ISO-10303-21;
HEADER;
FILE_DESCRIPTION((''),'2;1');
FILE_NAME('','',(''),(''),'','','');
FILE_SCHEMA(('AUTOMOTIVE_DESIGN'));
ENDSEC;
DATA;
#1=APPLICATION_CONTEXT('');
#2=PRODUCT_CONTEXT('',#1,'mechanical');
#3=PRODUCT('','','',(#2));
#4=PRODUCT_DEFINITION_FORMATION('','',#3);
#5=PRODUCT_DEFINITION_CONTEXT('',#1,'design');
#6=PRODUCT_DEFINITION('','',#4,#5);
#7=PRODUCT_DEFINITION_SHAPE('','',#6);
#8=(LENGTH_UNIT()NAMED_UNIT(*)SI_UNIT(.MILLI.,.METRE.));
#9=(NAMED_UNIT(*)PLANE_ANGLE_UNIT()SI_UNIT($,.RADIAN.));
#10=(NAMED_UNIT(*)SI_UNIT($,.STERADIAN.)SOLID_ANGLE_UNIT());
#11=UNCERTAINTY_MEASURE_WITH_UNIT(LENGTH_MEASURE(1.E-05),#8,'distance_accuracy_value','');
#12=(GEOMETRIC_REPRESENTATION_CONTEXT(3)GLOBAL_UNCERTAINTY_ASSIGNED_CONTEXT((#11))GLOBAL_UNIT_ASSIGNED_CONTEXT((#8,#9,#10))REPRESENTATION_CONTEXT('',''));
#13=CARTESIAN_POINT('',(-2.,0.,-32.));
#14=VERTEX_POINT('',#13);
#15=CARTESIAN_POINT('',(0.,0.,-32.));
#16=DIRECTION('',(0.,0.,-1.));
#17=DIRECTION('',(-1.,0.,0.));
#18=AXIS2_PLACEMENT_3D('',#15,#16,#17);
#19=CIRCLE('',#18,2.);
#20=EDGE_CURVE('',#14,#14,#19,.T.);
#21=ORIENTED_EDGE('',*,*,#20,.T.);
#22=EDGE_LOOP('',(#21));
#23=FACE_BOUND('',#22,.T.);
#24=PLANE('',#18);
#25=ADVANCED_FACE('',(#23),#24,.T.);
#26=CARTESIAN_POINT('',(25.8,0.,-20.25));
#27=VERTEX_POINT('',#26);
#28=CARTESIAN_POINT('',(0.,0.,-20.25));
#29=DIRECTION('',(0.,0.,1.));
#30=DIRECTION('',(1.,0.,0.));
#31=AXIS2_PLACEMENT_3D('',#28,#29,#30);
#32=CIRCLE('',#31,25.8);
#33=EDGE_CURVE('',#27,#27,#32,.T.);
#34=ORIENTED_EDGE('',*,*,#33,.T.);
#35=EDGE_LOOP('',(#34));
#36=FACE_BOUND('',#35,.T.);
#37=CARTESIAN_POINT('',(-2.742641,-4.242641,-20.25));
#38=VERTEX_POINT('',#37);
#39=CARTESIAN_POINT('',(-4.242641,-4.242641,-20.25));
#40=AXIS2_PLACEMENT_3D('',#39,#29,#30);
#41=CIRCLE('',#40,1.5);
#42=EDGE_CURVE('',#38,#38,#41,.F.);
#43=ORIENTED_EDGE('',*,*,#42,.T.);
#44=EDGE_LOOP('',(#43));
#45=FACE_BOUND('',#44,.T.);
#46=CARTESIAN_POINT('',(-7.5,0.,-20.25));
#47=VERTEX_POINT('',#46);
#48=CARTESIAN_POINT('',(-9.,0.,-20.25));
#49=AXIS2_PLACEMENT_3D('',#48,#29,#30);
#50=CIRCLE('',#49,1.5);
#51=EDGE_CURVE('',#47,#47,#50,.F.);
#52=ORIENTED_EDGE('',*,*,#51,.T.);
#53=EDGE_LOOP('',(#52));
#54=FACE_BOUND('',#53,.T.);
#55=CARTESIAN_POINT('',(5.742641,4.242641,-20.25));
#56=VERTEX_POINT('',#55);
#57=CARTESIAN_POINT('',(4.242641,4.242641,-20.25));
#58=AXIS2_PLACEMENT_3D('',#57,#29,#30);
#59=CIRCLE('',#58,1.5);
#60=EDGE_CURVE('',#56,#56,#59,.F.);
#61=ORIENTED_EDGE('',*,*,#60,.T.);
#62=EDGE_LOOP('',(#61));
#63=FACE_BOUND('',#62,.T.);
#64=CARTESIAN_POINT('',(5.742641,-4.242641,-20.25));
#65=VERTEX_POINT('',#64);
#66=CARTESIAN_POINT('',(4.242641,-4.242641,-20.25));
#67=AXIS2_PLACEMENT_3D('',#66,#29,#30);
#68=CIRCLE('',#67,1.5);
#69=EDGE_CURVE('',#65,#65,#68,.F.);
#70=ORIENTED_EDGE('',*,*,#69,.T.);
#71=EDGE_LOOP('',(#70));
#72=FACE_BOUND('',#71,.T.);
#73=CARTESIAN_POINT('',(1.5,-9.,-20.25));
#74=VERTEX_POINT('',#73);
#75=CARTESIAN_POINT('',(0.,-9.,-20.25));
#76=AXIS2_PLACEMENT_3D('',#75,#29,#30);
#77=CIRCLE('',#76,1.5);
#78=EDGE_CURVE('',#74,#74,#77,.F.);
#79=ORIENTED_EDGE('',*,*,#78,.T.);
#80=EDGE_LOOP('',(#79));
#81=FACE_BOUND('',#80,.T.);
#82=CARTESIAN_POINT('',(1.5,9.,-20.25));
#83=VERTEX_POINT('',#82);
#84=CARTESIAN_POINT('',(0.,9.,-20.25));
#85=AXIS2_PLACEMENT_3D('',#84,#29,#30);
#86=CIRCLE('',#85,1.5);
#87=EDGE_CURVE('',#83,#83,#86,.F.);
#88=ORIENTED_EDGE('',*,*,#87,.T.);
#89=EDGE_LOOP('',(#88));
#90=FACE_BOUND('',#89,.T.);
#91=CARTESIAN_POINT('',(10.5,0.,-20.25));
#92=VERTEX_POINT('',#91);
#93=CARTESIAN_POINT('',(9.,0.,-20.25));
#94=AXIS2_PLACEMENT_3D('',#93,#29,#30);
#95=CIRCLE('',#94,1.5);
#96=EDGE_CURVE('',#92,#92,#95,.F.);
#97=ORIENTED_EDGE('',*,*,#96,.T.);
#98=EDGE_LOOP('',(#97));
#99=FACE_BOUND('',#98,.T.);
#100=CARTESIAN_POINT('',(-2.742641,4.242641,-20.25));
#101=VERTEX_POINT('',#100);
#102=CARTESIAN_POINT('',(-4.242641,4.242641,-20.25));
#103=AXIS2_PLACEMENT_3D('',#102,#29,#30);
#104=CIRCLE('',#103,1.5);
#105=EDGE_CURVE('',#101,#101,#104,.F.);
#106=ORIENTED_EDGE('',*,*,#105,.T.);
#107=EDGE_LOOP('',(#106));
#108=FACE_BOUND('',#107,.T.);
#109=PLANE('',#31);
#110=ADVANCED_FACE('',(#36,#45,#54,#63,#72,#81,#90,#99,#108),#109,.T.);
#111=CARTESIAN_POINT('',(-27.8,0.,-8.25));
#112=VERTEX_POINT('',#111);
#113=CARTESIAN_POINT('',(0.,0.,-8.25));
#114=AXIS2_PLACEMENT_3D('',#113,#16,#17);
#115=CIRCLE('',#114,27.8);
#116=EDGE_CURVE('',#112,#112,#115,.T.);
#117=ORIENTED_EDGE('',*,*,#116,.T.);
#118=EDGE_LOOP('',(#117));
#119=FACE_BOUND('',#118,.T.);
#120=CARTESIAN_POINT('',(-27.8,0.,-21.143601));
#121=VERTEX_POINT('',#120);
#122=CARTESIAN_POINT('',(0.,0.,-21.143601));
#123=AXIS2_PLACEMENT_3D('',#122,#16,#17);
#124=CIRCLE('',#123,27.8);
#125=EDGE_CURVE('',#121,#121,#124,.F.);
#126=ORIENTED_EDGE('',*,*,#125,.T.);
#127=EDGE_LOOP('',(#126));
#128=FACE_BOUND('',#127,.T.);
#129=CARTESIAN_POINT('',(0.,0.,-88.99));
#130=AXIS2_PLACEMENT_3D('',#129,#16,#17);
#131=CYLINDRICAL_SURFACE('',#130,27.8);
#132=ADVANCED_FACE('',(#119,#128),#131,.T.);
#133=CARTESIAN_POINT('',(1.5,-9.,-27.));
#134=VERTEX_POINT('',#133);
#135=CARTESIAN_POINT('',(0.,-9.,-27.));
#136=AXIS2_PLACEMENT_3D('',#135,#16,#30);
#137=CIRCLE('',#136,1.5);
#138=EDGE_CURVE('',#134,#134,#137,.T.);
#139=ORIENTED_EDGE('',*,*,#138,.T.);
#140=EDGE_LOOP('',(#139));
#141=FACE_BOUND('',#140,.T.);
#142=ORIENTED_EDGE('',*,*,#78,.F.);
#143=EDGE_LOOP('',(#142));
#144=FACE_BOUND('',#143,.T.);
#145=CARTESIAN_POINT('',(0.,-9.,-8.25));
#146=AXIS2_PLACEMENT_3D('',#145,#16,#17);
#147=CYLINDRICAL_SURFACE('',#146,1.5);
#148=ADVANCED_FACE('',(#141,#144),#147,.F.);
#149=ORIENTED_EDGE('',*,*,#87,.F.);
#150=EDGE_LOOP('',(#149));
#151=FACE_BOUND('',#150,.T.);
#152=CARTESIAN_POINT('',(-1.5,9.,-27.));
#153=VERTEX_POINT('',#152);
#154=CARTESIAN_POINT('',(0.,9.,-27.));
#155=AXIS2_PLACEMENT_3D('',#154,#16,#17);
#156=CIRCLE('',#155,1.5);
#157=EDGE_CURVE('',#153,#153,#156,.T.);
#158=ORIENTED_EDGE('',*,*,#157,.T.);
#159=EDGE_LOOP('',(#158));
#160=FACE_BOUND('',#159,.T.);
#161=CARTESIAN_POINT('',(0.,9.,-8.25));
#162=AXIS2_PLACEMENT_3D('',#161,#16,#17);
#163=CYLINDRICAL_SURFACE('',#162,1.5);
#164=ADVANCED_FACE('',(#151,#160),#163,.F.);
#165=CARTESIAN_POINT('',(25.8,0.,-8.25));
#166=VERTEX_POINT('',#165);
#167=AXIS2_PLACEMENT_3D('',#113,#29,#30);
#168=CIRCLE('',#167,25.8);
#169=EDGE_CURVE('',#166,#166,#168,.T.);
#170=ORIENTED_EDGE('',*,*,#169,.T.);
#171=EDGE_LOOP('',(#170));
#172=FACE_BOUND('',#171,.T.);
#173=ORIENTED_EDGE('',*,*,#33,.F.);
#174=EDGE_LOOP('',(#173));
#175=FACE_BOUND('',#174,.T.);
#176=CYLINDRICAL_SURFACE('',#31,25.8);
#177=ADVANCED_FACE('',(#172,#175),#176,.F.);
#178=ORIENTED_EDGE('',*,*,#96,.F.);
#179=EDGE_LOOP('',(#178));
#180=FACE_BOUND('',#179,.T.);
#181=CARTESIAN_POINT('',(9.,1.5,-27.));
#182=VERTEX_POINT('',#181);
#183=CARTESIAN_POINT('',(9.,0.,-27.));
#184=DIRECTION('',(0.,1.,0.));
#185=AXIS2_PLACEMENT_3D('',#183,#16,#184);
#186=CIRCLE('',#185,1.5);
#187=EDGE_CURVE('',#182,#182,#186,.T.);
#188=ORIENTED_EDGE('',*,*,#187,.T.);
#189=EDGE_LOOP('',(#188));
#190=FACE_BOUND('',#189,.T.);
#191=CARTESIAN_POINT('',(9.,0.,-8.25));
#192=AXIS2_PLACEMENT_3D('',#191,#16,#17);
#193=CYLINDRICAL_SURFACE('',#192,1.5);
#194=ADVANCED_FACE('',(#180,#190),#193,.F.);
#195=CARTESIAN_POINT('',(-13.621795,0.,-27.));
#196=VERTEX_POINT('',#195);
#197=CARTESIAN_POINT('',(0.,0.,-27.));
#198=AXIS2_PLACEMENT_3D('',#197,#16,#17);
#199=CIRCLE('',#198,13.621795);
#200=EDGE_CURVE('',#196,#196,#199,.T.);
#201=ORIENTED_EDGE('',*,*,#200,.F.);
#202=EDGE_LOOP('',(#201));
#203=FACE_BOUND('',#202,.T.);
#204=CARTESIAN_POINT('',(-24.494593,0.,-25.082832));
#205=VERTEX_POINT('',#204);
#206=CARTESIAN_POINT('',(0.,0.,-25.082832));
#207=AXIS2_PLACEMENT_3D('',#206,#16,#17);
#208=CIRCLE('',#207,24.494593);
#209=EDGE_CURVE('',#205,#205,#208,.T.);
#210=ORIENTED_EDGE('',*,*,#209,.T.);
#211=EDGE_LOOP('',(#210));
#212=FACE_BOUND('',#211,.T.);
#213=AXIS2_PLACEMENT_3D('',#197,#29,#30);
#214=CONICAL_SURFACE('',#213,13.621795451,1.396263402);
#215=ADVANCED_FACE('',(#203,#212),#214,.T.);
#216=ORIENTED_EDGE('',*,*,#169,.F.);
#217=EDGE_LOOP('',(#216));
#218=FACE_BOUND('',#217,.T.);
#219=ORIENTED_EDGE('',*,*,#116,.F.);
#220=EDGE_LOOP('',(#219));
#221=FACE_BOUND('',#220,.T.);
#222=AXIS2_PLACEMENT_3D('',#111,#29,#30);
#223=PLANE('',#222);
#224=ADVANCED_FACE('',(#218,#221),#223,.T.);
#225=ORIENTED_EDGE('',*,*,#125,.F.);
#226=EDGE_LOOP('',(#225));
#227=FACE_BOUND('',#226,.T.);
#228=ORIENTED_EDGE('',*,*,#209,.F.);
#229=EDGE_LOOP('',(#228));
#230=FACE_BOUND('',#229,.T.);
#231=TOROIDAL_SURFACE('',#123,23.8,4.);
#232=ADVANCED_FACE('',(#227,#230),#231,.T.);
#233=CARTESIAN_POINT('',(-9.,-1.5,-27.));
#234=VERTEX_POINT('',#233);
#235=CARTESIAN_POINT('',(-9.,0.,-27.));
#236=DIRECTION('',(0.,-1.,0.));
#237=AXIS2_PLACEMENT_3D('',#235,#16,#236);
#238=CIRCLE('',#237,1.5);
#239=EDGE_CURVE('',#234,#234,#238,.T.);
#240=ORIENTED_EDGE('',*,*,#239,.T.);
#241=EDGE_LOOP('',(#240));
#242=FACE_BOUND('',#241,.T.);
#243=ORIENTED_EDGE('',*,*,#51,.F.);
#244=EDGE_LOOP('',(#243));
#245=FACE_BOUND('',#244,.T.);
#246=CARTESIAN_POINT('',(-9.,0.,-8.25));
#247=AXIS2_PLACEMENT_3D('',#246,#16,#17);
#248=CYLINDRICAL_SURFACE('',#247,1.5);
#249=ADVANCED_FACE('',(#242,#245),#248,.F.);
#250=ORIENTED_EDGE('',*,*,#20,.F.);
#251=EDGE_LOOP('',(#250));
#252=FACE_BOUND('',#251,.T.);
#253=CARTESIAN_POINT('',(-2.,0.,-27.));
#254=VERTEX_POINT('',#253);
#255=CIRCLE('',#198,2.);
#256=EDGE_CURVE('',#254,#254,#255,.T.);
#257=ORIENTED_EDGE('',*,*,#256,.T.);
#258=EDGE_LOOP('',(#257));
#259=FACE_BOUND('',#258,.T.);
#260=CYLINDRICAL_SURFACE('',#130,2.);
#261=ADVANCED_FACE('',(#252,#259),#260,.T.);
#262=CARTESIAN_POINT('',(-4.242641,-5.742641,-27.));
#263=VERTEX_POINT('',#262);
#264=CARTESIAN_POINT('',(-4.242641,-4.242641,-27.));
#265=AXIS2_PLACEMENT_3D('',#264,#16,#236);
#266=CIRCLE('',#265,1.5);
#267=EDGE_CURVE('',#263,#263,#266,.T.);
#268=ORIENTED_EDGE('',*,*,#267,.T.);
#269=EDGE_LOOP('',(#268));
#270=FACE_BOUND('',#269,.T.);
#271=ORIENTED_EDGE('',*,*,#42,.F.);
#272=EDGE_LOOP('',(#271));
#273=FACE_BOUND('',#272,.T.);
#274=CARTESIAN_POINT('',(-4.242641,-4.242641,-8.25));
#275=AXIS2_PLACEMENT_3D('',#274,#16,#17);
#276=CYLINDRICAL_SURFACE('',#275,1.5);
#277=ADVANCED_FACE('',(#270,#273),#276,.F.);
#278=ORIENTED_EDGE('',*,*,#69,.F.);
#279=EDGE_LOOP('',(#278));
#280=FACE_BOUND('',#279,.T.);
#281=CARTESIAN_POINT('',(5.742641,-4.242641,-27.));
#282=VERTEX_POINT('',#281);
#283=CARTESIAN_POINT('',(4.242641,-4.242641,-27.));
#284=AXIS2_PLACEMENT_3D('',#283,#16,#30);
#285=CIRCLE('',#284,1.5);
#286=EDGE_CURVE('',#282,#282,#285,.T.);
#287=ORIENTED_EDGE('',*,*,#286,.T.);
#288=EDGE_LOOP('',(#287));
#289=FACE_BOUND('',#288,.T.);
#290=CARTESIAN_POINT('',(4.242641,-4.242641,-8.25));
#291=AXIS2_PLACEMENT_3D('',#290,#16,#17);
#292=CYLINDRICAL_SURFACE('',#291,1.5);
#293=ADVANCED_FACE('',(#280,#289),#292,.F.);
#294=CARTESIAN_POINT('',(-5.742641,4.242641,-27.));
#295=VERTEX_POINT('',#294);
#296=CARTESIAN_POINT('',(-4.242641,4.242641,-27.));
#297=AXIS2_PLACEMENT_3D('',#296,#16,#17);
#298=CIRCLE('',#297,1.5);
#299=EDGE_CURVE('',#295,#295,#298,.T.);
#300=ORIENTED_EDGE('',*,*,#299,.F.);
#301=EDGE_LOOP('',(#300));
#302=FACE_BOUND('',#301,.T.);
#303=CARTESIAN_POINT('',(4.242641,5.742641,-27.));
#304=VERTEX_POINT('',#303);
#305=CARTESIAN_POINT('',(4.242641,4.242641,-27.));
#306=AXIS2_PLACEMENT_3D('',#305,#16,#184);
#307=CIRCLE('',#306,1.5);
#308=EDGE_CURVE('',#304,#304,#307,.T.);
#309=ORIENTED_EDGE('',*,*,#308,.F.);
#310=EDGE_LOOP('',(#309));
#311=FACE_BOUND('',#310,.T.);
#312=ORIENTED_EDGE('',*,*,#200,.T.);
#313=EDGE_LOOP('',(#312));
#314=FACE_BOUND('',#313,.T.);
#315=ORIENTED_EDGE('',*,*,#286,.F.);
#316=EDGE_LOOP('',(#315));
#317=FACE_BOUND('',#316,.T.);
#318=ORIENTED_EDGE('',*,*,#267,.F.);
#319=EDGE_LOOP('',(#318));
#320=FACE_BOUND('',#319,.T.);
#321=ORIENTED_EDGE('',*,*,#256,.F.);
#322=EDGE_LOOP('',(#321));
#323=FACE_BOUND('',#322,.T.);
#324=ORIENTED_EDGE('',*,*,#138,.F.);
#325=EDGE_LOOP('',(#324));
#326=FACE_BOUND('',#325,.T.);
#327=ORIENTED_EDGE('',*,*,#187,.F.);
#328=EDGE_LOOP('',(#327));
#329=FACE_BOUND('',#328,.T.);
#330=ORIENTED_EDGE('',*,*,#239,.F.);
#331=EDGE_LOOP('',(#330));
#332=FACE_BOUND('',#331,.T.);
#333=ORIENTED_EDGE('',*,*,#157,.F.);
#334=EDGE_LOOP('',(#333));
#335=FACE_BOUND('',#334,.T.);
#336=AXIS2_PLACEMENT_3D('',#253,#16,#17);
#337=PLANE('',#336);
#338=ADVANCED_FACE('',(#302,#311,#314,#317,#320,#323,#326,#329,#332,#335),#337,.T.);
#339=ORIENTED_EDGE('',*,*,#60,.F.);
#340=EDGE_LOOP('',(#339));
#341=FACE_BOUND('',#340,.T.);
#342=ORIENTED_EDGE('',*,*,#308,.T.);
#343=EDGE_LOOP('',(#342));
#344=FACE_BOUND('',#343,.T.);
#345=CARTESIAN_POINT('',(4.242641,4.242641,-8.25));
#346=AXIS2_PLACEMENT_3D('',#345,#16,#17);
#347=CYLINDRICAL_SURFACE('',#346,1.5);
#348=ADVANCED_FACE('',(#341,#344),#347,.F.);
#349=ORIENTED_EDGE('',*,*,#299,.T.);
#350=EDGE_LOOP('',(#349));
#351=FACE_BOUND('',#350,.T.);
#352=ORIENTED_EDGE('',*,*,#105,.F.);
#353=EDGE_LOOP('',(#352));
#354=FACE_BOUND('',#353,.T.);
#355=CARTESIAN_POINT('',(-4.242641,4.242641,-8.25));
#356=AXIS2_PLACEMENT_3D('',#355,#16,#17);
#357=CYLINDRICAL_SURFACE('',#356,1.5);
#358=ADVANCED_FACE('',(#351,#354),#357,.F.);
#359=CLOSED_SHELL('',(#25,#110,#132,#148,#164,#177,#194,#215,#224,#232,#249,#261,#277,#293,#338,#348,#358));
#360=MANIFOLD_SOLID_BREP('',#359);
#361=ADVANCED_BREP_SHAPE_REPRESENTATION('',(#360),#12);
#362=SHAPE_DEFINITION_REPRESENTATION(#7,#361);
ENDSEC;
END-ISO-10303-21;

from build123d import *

# Parameters (mm, degrees)
SKETCH3_R          = 1.5
CUT_EXTRUDE1_DEPTH = 19.75
CIRPATTERN1_COUNT  = 4
CHAMFER1_SIZE      = 2.5
CHAMFER1_SIZE2     = 14.178204549
FILLET1_R          = 4
SKETCH4_R          = 25.8
CUT_EXTRUDE2_DEPTH = 12


with BuildPart() as part:
    # Sketch2 → Revolve1 (revolve)
    with BuildSketch(Plane(origin=(0, 0, 0), x_dir=(1, 0, 0), z_dir=(0, 1, 0))):
        Polygon((0, 32), (-2, 32), (-2, 27), (-27.8, 27), (-27.8, 8.25), (0, 8.25), align=None)
    revolve(axis=Axis((0, 0, -88.99), (0, 0, 1)))

    # Sketch3 → Cut-Extrude1 (cut, through all)
    with BuildSketch(Plane(origin=(0, 0, -27), x_dir=(-1, 0, 0), z_dir=(0, 0, -1))):
        with Locations((0, 9)):
            Circle(SKETCH3_R)
        with Locations((4.242640687, 4.242640687)):
            Circle(SKETCH3_R)
    cut_extrude1 = extrude(amount=-CUT_EXTRUDE1_DEPTH, mode=Mode.SUBTRACT)

    # CirPattern1: Cut-Extrude1 ×4 about axis
    cirpattern1_axis = Axis((0, 0, 0), (0, 0, 1))
    for i in range(1, CIRPATTERN1_COUNT):
        add(cut_extrude1.rotate(cirpattern1_axis, i * 360 / CIRPATTERN1_COUNT), mode=Mode.SUBTRACT)

    # Chamfer1
    chamfer1_edges = [part.edges().sort_by_distance(p)[0] for p in [
        (27.8, 0, -27),
    ]]
    chamfer1_side = [part.faces().sort_by_distance(p)[0] for p in [
        (27.8, 0, -17.625),
    ]]
    chamfer(chamfer1_edges, length=CHAMFER1_SIZE, length2=CHAMFER1_SIZE2, reference=chamfer1_side[0])

    # Fillet1
    fillet1_edges = [part.edges().sort_by_distance(p)[0] for p in [
        (27.8, 0, -24.5),
    ]]
    fillet(fillet1_edges, radius=FILLET1_R)

    # Sketch4 → Cut-Extrude2 (cut)
    with BuildSketch(Plane.XY.offset(-8.25)):
        Circle(SKETCH4_R)
    extrude(amount=-CUT_EXTRUDE2_DEPTH, mode=Mode.SUBTRACT)


solid = part.part
